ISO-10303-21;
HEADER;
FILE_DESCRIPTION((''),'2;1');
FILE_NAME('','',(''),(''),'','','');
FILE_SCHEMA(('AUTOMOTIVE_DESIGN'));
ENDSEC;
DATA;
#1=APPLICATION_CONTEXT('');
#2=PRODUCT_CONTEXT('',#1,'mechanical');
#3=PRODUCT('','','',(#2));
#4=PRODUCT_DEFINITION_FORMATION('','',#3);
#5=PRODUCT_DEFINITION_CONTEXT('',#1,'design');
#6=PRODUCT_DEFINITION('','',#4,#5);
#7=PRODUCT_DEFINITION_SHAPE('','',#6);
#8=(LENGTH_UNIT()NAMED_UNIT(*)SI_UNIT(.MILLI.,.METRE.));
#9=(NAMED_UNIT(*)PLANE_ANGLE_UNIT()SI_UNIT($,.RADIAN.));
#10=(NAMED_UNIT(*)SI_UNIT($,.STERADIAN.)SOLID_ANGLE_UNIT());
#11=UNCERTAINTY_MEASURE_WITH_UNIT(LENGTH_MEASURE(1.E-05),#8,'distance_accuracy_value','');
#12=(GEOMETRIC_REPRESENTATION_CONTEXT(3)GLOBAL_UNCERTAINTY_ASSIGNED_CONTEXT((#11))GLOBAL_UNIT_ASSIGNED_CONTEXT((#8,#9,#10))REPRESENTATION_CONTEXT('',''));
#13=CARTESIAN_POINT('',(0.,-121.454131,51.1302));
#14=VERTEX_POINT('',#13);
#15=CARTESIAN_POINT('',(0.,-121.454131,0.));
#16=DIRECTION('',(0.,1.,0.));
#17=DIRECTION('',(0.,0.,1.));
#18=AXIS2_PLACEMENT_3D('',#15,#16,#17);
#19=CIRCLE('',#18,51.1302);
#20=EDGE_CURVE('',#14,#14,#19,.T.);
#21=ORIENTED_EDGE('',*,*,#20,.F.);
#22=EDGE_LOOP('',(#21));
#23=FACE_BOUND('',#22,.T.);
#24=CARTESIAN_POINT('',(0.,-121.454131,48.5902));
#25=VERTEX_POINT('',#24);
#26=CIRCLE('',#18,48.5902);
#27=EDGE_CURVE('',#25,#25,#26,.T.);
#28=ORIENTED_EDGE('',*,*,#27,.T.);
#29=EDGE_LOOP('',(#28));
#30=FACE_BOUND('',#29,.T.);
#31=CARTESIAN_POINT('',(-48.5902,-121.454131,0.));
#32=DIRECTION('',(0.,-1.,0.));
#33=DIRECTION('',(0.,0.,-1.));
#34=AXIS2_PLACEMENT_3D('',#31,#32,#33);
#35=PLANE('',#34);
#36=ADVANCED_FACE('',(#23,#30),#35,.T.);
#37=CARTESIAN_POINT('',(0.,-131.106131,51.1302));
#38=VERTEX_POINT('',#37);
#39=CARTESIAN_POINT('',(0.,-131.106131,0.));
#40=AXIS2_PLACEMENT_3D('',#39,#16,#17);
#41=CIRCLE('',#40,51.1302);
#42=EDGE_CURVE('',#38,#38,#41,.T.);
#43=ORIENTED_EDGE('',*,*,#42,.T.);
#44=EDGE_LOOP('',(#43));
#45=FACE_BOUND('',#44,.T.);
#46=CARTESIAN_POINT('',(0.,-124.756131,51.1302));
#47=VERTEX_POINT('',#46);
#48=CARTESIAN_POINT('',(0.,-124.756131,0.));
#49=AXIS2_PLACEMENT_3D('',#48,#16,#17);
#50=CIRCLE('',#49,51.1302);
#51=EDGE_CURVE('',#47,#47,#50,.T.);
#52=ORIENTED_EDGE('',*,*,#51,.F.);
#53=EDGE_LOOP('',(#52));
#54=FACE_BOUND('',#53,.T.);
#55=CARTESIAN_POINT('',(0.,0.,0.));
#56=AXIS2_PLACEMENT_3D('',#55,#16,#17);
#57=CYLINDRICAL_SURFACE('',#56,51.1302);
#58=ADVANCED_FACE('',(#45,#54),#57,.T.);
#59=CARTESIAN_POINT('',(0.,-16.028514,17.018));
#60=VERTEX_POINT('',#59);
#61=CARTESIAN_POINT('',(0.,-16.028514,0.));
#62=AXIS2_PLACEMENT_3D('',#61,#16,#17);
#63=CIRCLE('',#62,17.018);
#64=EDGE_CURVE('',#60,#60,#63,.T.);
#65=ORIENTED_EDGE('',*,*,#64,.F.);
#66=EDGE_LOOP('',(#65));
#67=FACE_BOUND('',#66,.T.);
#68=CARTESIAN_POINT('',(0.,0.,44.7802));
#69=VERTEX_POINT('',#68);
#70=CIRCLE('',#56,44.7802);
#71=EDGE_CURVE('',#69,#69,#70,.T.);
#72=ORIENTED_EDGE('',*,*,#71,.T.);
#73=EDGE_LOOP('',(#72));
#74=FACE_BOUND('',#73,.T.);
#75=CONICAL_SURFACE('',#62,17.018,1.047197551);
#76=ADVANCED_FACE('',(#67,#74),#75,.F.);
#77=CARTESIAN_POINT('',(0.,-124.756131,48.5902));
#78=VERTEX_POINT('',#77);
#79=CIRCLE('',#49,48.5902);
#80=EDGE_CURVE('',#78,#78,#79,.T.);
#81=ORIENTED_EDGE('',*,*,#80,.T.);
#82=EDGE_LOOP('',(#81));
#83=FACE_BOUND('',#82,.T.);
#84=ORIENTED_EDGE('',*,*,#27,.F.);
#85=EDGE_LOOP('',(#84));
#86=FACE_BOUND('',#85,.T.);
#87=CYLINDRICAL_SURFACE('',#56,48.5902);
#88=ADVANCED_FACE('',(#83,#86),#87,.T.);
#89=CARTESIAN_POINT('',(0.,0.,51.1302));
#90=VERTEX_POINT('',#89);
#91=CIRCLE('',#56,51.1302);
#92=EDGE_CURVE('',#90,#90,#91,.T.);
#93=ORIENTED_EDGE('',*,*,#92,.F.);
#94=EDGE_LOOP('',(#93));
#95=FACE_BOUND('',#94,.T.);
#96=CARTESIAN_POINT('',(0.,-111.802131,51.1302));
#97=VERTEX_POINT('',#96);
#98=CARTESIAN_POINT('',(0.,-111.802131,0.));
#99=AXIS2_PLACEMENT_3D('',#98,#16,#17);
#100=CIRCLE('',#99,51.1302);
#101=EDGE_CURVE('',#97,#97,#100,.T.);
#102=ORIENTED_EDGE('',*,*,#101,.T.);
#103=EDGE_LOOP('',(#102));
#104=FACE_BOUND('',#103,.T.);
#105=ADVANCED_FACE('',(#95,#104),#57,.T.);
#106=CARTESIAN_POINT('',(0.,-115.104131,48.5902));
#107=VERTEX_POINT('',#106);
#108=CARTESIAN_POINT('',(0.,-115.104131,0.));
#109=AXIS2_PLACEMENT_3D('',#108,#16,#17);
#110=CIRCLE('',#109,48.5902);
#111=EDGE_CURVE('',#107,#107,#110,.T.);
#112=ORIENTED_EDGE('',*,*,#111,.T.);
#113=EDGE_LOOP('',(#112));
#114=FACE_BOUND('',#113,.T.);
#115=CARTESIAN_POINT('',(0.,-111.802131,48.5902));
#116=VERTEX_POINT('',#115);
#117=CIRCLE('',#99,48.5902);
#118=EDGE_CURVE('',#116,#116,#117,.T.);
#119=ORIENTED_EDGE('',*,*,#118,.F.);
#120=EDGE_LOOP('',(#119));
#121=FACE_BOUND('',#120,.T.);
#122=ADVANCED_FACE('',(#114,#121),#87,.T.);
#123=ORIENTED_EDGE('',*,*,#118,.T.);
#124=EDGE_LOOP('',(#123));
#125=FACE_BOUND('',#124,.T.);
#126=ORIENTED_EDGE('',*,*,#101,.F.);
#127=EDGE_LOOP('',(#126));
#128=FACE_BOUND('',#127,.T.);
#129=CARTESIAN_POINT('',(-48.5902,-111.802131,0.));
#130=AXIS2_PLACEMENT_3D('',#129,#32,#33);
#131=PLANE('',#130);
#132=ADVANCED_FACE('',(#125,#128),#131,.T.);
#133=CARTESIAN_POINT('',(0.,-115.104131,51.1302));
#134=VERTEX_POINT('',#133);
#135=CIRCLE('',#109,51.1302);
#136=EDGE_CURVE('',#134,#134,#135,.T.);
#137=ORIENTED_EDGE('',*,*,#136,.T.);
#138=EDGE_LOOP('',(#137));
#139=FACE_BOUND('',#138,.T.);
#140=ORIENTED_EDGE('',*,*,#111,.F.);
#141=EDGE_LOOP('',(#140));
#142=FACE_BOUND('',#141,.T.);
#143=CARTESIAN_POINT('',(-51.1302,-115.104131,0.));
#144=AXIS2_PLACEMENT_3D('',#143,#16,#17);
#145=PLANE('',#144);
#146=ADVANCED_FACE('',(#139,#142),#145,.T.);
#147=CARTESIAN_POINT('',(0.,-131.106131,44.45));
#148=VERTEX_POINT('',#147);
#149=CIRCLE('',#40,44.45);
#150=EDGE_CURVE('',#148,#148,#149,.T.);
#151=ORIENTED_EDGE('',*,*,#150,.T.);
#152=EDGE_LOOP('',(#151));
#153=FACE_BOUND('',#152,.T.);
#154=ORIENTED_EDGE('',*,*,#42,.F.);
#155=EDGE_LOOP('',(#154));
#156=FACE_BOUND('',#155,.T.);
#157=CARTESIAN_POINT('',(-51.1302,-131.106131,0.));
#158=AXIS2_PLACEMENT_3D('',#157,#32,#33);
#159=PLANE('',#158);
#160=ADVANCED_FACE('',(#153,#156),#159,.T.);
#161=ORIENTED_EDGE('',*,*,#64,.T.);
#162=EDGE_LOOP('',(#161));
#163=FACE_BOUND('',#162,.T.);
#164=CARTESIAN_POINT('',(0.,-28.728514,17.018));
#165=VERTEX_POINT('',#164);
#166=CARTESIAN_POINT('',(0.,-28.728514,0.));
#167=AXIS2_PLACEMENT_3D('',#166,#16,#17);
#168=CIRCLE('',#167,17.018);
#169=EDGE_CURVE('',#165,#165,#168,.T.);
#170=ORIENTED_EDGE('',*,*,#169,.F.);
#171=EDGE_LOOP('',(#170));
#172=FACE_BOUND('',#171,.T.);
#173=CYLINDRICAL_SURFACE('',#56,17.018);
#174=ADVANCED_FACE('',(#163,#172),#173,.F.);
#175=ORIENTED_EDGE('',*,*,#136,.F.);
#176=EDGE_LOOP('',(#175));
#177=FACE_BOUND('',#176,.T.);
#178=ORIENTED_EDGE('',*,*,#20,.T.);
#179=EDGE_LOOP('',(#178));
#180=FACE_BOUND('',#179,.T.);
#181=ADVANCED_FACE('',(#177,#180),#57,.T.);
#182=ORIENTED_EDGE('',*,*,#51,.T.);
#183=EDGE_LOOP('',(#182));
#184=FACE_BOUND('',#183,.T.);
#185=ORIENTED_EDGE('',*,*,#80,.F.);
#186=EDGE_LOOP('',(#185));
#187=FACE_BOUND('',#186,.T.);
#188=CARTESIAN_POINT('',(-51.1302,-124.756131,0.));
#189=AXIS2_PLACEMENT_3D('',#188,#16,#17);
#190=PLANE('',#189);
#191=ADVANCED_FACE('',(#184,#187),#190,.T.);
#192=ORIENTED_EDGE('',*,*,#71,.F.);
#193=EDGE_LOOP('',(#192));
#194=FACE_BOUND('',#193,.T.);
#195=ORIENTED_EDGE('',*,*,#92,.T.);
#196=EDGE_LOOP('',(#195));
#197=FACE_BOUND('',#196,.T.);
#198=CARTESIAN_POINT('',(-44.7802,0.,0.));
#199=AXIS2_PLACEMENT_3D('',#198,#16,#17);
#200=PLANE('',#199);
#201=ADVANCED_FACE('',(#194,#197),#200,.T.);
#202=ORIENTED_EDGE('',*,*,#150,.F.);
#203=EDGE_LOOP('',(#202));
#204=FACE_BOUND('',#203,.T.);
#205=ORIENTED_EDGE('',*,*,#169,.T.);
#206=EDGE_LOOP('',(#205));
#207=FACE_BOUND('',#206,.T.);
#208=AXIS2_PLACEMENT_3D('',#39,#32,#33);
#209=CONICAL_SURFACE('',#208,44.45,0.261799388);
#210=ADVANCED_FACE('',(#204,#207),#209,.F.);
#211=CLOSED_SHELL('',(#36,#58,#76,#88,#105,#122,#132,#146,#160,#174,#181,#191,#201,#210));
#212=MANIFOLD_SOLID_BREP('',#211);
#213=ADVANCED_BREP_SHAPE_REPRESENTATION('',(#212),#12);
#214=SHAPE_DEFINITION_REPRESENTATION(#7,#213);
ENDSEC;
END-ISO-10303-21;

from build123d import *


with BuildPart() as part:
    # Sketch1 → Revolve1 (revolve)
    with BuildSketch(Plane.XY, mode=Mode.PRIVATE) as revolve1_sk:
        Polygon((-51.1302, 0), (-51.1302, -111.802131397), (-48.5902, -111.802131397), (-48.5902, -115.104131397), (-51.1302, -115.104131397), (-51.1302, -121.454131397), (-48.5902, -121.454131397), (-48.5902, -124.756131397), (-51.1302, -124.756131397), (-51.1302, -131.106131397), (-44.45, -131.106131397), (-17.018, -28.728513643), (-17.018, -16.028513643), (-44.7802, 0), align=None)
    revolve(revolve1_sk.sketch.rotate(Axis((0, 0, 0), (0, -1, 0)), 270), axis=Axis((0, 0, 0), (0, -1, 0)))


solid = part.part
